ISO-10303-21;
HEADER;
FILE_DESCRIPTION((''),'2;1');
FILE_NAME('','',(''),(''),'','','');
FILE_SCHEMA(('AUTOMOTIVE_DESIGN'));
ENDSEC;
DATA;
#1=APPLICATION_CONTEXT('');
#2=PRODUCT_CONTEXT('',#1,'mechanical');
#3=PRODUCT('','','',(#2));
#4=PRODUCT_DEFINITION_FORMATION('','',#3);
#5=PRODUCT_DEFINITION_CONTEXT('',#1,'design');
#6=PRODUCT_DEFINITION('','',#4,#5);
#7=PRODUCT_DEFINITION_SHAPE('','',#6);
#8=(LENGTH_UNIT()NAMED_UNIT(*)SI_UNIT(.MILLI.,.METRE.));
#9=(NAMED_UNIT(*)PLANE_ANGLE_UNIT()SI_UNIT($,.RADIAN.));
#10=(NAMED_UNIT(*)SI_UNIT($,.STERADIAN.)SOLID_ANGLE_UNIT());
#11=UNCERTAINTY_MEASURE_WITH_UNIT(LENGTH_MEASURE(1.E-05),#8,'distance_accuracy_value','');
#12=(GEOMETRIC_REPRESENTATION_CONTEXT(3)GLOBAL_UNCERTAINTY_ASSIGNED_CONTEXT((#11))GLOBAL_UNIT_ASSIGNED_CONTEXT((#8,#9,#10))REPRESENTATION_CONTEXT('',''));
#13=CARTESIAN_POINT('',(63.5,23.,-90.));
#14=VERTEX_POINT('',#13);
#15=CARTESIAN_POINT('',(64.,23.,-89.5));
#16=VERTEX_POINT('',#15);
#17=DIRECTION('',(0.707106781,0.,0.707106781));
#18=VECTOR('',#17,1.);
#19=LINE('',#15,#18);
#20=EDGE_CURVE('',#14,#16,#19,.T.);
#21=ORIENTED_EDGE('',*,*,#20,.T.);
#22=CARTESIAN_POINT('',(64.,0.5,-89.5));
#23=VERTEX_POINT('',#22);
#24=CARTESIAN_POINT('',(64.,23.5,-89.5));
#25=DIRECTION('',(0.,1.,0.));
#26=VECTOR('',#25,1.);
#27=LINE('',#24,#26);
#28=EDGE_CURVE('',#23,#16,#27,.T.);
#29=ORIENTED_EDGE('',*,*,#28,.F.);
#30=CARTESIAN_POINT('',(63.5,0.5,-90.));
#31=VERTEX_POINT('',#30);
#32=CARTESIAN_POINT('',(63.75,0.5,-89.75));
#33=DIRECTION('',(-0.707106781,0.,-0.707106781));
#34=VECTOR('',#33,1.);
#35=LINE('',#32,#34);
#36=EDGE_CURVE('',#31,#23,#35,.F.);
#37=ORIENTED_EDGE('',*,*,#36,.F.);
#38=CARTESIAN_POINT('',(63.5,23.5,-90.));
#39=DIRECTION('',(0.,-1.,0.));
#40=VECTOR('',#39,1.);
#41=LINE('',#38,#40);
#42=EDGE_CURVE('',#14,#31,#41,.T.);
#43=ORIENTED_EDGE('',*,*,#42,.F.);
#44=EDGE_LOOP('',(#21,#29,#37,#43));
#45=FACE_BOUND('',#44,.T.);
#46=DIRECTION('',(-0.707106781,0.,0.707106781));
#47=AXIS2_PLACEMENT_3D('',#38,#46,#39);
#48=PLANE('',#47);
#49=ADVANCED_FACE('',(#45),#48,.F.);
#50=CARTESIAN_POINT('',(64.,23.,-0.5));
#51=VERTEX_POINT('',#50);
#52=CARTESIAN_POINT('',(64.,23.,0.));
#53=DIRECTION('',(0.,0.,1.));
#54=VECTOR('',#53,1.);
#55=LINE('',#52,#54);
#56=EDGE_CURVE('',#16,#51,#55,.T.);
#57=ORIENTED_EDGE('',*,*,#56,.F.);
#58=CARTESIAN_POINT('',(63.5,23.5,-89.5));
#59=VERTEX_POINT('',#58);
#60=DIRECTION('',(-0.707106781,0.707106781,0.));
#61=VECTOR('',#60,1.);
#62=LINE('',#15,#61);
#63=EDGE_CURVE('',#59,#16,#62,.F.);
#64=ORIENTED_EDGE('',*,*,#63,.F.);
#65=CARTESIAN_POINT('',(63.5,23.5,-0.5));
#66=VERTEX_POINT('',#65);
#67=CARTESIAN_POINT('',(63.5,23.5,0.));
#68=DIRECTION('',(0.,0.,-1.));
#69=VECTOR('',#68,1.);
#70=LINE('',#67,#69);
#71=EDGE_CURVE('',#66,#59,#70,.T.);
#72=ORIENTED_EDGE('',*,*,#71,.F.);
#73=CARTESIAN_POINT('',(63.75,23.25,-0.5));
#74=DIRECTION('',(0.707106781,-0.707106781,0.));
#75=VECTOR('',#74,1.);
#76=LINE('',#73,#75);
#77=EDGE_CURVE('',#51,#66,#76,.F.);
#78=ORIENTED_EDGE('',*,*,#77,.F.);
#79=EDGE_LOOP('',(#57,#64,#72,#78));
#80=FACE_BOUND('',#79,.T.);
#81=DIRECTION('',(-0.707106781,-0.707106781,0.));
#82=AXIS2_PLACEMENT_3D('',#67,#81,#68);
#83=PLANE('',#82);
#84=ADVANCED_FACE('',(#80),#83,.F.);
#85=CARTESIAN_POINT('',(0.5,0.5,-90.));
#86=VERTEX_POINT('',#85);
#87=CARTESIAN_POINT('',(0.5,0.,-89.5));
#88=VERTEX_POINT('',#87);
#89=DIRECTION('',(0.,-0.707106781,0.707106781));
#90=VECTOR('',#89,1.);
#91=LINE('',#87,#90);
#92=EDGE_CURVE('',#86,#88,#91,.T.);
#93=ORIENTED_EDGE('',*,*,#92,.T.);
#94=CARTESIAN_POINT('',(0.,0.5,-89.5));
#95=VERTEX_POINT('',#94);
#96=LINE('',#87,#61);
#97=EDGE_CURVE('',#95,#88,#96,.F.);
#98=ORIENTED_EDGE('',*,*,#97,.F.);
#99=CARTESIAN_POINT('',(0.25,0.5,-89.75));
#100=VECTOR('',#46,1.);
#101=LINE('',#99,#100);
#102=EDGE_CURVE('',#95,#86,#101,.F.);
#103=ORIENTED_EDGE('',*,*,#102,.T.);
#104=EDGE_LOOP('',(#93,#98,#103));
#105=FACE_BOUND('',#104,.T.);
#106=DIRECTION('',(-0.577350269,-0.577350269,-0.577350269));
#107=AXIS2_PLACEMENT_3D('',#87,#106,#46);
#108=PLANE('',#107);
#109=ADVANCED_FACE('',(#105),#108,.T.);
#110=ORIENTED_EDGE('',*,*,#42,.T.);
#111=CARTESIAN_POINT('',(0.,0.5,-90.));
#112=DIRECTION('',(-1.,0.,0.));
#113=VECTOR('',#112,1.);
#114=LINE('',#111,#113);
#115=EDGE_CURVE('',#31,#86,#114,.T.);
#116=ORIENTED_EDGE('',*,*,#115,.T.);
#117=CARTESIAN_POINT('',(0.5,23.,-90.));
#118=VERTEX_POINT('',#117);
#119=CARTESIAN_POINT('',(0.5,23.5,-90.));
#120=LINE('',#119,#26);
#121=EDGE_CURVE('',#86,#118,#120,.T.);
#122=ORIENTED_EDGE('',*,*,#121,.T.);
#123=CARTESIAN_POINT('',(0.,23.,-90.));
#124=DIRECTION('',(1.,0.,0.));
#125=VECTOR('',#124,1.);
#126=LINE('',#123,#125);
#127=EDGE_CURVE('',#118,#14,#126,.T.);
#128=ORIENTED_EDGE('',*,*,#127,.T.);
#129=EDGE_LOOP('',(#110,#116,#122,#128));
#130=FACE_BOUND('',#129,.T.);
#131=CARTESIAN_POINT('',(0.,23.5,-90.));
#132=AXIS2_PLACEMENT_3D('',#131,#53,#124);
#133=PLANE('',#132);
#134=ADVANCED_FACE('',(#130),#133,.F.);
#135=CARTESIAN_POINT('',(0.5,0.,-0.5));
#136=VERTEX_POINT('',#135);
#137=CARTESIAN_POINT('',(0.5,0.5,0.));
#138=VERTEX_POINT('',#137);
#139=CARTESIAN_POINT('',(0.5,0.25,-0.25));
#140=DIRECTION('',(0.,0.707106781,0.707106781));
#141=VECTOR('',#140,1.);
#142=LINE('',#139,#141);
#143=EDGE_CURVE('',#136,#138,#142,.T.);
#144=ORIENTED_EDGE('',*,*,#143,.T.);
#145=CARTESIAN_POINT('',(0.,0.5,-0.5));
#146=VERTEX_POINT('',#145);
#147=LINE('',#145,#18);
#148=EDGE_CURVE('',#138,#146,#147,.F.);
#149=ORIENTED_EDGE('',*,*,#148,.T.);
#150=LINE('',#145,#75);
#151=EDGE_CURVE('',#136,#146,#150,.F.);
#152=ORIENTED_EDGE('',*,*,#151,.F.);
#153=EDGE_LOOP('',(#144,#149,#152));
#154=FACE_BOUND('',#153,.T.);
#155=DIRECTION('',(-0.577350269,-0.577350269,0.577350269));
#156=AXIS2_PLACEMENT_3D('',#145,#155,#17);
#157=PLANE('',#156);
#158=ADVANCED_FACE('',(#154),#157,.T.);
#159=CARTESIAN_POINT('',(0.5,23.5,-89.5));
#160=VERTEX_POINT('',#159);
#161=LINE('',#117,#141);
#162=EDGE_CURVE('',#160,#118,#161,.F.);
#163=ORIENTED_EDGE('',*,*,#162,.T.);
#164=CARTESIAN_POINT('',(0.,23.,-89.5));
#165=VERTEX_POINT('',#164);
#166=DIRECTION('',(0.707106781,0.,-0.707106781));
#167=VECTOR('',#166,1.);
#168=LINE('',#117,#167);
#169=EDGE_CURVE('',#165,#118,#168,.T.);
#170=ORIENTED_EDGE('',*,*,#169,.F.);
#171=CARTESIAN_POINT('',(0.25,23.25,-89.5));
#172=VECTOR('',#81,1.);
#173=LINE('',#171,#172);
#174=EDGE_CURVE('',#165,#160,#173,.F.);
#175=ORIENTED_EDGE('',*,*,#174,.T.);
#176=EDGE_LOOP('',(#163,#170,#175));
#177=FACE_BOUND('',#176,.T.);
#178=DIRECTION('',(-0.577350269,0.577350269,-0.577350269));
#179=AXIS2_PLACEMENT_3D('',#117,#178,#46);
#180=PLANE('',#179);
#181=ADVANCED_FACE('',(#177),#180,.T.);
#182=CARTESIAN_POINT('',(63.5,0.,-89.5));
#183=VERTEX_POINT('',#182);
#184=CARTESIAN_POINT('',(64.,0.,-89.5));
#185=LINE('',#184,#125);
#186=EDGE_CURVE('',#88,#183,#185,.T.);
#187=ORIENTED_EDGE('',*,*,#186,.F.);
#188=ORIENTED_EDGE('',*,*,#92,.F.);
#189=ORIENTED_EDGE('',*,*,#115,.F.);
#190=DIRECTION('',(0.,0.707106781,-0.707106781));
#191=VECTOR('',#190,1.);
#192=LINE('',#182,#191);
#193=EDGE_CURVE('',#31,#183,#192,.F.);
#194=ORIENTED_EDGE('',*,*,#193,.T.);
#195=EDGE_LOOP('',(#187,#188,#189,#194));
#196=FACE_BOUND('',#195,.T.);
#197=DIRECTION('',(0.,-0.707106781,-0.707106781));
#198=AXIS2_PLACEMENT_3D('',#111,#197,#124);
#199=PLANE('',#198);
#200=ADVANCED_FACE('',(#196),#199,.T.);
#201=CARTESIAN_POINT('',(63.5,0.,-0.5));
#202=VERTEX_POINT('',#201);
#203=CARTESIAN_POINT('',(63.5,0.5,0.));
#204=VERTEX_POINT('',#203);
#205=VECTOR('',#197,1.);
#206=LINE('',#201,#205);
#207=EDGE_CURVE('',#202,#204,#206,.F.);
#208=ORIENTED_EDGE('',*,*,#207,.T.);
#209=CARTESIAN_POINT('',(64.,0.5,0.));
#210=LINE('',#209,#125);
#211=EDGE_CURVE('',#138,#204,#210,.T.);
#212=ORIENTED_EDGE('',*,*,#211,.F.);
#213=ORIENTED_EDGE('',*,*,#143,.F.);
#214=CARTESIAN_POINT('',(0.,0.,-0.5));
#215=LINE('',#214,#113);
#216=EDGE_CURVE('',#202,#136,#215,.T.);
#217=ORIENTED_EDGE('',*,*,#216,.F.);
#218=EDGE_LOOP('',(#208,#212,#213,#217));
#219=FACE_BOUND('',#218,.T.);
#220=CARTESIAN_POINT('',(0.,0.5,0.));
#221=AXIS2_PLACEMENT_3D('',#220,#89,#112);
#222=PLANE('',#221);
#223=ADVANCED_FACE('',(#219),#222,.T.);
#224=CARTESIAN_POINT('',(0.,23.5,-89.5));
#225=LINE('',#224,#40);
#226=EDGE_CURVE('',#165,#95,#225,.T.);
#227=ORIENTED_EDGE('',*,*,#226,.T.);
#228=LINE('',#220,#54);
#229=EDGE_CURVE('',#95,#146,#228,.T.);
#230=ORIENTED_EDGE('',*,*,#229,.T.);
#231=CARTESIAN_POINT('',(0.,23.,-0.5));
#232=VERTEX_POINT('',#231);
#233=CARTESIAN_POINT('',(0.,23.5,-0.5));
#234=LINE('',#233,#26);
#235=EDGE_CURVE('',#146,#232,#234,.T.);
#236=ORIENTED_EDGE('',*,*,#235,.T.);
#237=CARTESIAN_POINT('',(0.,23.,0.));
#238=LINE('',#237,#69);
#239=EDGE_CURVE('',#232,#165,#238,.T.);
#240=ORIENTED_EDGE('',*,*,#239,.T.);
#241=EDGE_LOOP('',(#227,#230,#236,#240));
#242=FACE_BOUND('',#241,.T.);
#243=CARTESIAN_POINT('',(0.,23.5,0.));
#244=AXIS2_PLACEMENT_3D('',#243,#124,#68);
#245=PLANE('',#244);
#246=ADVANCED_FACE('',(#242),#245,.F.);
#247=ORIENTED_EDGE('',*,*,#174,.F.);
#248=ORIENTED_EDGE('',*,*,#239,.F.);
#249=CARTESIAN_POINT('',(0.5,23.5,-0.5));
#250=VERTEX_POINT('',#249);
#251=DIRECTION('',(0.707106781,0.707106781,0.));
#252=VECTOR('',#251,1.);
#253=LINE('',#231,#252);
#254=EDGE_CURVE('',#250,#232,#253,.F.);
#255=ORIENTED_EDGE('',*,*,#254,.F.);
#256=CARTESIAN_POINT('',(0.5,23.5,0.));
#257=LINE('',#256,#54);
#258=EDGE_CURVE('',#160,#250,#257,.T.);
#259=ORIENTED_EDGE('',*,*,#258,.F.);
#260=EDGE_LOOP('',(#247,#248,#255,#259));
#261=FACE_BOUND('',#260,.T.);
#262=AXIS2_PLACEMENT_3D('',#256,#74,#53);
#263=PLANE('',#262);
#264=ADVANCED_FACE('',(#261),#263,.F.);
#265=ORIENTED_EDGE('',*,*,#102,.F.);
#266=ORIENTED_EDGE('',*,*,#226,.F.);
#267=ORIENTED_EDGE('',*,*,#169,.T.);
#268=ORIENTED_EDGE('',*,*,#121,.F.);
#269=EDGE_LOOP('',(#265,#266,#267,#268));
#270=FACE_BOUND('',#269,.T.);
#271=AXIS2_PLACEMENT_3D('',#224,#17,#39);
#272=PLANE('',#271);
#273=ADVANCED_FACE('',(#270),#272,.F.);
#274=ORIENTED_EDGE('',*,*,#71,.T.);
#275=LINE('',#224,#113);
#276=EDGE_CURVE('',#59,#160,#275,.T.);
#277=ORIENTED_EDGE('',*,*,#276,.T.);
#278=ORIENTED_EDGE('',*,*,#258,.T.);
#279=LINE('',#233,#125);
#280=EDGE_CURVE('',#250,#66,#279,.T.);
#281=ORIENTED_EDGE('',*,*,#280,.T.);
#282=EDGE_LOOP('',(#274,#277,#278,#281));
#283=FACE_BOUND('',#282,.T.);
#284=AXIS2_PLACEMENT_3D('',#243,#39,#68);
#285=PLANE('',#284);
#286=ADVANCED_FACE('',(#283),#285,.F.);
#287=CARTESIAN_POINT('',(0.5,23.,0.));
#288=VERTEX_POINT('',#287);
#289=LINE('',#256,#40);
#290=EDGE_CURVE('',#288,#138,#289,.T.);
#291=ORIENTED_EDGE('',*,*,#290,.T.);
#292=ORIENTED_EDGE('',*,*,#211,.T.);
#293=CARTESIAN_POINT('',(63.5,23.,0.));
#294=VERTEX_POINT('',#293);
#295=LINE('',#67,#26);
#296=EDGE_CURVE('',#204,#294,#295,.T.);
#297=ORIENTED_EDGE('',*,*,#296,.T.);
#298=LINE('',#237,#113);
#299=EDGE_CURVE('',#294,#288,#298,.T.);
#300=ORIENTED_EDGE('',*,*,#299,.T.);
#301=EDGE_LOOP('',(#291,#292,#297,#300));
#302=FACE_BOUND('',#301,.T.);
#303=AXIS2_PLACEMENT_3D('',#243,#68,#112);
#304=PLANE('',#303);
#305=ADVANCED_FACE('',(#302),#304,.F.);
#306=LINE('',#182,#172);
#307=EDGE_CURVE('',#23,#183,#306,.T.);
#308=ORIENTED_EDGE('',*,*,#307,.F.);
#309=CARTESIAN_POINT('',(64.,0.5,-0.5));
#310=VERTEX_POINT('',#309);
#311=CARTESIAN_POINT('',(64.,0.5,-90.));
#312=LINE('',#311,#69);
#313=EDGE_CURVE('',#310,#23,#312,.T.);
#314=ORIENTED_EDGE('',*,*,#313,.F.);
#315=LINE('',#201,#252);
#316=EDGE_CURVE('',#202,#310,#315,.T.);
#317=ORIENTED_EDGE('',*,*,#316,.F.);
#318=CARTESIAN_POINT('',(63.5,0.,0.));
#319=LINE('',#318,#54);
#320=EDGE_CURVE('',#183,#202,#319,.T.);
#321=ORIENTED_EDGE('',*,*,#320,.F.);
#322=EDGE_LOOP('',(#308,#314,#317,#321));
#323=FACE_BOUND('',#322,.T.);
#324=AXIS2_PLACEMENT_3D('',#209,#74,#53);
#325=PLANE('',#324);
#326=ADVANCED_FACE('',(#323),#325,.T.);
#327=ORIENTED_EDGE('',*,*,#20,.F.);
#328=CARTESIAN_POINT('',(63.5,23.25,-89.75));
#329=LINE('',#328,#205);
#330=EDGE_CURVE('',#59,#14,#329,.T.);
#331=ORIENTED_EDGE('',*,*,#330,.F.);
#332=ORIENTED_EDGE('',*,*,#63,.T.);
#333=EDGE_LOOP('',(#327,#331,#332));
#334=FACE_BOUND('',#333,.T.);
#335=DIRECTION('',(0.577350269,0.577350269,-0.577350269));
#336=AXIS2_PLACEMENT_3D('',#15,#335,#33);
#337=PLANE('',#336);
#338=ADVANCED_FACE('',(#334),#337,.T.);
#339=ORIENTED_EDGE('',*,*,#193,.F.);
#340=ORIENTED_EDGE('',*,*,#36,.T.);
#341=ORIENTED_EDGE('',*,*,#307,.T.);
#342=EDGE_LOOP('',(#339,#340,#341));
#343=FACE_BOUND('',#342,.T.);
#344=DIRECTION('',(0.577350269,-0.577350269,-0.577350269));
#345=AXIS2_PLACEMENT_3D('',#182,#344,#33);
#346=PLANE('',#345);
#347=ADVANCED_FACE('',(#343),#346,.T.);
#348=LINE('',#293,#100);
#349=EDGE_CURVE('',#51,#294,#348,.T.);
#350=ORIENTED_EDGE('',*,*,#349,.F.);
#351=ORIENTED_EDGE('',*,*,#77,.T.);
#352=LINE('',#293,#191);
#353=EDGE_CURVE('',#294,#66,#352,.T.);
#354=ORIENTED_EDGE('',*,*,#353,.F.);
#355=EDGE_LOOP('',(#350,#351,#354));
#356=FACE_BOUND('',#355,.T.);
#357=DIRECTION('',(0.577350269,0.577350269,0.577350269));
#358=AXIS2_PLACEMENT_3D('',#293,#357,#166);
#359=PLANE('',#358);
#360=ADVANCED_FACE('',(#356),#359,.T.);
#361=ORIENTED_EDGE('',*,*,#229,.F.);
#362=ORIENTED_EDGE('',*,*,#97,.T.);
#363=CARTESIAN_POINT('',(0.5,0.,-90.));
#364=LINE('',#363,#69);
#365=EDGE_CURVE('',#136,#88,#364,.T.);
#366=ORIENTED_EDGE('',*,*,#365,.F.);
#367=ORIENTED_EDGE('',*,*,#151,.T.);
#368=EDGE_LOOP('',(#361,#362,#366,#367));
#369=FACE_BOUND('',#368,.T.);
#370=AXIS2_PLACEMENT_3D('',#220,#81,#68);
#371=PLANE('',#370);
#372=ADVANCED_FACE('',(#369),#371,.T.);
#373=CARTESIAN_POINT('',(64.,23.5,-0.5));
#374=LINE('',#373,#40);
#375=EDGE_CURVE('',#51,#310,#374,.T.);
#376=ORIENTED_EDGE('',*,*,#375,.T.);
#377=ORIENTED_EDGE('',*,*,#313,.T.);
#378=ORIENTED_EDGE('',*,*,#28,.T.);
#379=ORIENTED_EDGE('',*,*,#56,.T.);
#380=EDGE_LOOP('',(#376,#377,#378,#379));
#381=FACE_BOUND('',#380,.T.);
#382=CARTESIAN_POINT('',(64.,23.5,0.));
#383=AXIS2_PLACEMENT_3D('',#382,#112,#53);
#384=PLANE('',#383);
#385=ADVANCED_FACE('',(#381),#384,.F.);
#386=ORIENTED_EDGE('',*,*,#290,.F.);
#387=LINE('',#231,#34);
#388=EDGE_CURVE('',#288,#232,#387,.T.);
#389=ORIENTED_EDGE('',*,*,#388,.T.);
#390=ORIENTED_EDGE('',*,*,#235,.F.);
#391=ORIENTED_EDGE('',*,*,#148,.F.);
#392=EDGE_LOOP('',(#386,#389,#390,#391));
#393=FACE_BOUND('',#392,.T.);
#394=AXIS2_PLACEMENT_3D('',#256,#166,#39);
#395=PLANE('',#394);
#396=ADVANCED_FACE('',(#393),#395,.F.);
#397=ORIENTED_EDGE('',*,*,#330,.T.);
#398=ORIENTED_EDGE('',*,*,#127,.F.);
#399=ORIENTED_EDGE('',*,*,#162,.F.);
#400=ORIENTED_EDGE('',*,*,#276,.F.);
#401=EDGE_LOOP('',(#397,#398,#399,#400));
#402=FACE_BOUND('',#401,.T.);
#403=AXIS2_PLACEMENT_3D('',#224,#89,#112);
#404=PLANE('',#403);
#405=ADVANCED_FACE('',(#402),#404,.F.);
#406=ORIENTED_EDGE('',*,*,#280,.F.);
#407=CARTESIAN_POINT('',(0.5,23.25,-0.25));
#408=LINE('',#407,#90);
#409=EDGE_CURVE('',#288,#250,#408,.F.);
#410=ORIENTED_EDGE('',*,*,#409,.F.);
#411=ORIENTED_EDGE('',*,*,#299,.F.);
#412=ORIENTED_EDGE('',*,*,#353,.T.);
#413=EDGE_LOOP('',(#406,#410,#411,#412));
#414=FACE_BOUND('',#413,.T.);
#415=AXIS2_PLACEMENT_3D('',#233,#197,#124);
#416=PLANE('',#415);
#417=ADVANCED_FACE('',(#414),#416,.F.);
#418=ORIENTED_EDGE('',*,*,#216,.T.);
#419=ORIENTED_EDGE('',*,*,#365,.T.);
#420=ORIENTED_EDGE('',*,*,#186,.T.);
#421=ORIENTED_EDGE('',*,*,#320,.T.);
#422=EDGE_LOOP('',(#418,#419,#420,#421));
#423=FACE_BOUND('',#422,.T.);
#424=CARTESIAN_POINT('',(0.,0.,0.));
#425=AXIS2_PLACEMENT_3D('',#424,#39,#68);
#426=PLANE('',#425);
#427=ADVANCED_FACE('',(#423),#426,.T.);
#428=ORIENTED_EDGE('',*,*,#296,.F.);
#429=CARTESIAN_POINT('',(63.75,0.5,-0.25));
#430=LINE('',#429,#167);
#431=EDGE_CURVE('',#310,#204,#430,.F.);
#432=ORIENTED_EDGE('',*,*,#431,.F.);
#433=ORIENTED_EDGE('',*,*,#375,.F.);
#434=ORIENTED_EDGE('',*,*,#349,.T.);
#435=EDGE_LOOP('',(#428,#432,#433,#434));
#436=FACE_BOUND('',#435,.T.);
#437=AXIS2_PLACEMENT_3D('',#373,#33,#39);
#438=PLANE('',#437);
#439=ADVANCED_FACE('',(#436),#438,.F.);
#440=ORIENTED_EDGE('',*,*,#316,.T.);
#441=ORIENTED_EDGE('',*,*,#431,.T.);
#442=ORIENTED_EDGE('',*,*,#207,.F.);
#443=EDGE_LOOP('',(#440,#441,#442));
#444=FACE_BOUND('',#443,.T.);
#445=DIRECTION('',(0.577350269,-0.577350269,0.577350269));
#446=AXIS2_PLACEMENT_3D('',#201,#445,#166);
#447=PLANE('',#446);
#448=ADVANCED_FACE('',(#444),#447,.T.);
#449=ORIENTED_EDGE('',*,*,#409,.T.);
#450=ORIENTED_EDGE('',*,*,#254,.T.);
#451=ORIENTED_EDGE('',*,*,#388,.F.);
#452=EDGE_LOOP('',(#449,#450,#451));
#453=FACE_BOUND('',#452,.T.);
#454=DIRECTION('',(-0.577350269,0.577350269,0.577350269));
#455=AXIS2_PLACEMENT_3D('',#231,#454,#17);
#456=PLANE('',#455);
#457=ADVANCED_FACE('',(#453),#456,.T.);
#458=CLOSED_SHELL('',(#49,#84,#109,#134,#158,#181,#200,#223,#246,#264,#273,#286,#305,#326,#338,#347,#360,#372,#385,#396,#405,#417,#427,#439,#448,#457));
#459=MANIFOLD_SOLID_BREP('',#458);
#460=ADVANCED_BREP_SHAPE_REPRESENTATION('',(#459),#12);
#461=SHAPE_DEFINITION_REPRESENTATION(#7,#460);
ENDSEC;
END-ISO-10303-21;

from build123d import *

# Parameters (mm, degrees)
SKETCH1_W           = 64
SKETCH1_H           = 90
BOSS_EXTRUDE1_DEPTH = 23.5
CHAMFER1_SIZE       = 0.5


with BuildPart() as part:
    # Sketch1 → Boss-Extrude1 (new body)
    with BuildSketch(Plane(origin=(0, 0, 0), x_dir=(1, 0, 0), z_dir=(0, 1, 0))):
        with Locations((32, 45)):
            Rectangle(SKETCH1_W, SKETCH1_H)
    extrude(amount=BOSS_EXTRUDE1_DEPTH)

    # Chamfer1
    chamfer1_edges = [part.edges().sort_by_distance(p)[0] for p in [
        (64, 23.5, -45),
        (32, 23.5, -90),
        (0, 23.5, -45),
        (32, 0, -90),
        (64, 0, -45),
        (32, 0, 0),
        (0, 0, -45),
        (0, 11.75, -90),
        (64, 11.75, -90),
        (64, 11.75, 0),
        (0, 11.75, 0),
        (32, 23.5, 0),
    ]]
    chamfer(chamfer1_edges, length=CHAMFER1_SIZE)


solid = part.part
